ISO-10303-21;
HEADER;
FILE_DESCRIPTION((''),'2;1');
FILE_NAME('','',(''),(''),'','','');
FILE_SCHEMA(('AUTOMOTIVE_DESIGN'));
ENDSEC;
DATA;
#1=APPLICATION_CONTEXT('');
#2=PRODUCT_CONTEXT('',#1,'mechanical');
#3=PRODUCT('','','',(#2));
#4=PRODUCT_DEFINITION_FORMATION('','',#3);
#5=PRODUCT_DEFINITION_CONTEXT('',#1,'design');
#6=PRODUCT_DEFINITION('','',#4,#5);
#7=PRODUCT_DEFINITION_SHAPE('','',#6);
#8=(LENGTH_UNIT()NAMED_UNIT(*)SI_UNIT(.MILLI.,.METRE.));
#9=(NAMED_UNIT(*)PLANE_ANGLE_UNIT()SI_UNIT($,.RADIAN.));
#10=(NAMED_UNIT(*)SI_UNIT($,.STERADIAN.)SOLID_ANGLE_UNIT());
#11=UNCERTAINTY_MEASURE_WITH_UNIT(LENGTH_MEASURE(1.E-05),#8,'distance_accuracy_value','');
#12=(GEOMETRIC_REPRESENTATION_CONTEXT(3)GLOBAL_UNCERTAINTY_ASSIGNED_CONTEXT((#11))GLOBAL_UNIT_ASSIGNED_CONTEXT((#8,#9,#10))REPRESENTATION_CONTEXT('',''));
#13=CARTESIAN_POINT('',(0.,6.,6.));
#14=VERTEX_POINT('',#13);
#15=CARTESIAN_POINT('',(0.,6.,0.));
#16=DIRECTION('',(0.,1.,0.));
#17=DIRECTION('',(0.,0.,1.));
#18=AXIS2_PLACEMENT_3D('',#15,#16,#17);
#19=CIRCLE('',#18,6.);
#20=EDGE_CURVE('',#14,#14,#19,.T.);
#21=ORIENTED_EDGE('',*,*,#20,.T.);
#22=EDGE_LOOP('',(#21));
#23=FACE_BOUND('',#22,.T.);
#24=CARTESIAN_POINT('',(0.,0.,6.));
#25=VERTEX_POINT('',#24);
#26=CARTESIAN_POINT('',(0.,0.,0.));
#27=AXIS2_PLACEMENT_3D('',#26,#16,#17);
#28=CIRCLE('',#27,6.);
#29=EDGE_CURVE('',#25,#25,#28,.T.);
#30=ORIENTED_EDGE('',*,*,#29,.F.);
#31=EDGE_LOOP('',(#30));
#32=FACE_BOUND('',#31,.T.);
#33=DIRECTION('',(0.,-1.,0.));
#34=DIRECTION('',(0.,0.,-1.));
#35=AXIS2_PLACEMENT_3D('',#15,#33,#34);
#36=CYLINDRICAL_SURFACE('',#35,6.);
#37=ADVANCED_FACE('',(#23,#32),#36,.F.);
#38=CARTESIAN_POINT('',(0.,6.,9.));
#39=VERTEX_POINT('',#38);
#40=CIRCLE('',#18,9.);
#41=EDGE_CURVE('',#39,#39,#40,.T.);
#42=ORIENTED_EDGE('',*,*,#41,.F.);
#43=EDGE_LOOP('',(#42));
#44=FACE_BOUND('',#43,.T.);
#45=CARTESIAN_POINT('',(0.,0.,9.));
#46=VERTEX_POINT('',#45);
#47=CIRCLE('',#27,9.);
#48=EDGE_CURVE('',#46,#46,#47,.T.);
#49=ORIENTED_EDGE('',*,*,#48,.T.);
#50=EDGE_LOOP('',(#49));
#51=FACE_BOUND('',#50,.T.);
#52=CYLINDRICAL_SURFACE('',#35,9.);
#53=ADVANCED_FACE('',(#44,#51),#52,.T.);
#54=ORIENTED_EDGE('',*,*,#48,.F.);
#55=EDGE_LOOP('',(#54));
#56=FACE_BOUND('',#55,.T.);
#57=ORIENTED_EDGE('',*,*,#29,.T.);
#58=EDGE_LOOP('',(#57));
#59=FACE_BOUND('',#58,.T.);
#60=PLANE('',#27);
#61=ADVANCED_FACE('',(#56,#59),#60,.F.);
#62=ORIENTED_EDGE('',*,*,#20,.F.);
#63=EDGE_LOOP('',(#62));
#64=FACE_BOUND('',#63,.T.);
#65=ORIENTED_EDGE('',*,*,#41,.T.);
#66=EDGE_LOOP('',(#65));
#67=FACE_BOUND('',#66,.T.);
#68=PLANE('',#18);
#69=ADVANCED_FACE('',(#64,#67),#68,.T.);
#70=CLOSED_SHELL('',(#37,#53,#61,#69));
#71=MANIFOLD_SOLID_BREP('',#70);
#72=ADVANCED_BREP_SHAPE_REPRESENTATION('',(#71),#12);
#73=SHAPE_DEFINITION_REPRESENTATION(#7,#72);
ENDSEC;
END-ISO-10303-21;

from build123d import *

# Parameters (mm, degrees)
SKETCH1_R           = 9
SKETCH1_R_2         = 6
BOSS_EXTRUDE1_DEPTH = 6


with BuildPart() as part:
    # Sketch1 → Boss-Extrude1 (new body)
    with BuildSketch(Plane(origin=(0, 0, 0), x_dir=(1, 0, 0), z_dir=(0, 1, 0))):
        with Locations(Location((0, 0, 0), (0, 0, 270))):
            Circle(SKETCH1_R)
        with Locations(Location((0, 0, 0), (0, 0, 270))):
            Circle(SKETCH1_R_2, mode=Mode.SUBTRACT)
    extrude(amount=BOSS_EXTRUDE1_DEPTH)


solid = part.part
